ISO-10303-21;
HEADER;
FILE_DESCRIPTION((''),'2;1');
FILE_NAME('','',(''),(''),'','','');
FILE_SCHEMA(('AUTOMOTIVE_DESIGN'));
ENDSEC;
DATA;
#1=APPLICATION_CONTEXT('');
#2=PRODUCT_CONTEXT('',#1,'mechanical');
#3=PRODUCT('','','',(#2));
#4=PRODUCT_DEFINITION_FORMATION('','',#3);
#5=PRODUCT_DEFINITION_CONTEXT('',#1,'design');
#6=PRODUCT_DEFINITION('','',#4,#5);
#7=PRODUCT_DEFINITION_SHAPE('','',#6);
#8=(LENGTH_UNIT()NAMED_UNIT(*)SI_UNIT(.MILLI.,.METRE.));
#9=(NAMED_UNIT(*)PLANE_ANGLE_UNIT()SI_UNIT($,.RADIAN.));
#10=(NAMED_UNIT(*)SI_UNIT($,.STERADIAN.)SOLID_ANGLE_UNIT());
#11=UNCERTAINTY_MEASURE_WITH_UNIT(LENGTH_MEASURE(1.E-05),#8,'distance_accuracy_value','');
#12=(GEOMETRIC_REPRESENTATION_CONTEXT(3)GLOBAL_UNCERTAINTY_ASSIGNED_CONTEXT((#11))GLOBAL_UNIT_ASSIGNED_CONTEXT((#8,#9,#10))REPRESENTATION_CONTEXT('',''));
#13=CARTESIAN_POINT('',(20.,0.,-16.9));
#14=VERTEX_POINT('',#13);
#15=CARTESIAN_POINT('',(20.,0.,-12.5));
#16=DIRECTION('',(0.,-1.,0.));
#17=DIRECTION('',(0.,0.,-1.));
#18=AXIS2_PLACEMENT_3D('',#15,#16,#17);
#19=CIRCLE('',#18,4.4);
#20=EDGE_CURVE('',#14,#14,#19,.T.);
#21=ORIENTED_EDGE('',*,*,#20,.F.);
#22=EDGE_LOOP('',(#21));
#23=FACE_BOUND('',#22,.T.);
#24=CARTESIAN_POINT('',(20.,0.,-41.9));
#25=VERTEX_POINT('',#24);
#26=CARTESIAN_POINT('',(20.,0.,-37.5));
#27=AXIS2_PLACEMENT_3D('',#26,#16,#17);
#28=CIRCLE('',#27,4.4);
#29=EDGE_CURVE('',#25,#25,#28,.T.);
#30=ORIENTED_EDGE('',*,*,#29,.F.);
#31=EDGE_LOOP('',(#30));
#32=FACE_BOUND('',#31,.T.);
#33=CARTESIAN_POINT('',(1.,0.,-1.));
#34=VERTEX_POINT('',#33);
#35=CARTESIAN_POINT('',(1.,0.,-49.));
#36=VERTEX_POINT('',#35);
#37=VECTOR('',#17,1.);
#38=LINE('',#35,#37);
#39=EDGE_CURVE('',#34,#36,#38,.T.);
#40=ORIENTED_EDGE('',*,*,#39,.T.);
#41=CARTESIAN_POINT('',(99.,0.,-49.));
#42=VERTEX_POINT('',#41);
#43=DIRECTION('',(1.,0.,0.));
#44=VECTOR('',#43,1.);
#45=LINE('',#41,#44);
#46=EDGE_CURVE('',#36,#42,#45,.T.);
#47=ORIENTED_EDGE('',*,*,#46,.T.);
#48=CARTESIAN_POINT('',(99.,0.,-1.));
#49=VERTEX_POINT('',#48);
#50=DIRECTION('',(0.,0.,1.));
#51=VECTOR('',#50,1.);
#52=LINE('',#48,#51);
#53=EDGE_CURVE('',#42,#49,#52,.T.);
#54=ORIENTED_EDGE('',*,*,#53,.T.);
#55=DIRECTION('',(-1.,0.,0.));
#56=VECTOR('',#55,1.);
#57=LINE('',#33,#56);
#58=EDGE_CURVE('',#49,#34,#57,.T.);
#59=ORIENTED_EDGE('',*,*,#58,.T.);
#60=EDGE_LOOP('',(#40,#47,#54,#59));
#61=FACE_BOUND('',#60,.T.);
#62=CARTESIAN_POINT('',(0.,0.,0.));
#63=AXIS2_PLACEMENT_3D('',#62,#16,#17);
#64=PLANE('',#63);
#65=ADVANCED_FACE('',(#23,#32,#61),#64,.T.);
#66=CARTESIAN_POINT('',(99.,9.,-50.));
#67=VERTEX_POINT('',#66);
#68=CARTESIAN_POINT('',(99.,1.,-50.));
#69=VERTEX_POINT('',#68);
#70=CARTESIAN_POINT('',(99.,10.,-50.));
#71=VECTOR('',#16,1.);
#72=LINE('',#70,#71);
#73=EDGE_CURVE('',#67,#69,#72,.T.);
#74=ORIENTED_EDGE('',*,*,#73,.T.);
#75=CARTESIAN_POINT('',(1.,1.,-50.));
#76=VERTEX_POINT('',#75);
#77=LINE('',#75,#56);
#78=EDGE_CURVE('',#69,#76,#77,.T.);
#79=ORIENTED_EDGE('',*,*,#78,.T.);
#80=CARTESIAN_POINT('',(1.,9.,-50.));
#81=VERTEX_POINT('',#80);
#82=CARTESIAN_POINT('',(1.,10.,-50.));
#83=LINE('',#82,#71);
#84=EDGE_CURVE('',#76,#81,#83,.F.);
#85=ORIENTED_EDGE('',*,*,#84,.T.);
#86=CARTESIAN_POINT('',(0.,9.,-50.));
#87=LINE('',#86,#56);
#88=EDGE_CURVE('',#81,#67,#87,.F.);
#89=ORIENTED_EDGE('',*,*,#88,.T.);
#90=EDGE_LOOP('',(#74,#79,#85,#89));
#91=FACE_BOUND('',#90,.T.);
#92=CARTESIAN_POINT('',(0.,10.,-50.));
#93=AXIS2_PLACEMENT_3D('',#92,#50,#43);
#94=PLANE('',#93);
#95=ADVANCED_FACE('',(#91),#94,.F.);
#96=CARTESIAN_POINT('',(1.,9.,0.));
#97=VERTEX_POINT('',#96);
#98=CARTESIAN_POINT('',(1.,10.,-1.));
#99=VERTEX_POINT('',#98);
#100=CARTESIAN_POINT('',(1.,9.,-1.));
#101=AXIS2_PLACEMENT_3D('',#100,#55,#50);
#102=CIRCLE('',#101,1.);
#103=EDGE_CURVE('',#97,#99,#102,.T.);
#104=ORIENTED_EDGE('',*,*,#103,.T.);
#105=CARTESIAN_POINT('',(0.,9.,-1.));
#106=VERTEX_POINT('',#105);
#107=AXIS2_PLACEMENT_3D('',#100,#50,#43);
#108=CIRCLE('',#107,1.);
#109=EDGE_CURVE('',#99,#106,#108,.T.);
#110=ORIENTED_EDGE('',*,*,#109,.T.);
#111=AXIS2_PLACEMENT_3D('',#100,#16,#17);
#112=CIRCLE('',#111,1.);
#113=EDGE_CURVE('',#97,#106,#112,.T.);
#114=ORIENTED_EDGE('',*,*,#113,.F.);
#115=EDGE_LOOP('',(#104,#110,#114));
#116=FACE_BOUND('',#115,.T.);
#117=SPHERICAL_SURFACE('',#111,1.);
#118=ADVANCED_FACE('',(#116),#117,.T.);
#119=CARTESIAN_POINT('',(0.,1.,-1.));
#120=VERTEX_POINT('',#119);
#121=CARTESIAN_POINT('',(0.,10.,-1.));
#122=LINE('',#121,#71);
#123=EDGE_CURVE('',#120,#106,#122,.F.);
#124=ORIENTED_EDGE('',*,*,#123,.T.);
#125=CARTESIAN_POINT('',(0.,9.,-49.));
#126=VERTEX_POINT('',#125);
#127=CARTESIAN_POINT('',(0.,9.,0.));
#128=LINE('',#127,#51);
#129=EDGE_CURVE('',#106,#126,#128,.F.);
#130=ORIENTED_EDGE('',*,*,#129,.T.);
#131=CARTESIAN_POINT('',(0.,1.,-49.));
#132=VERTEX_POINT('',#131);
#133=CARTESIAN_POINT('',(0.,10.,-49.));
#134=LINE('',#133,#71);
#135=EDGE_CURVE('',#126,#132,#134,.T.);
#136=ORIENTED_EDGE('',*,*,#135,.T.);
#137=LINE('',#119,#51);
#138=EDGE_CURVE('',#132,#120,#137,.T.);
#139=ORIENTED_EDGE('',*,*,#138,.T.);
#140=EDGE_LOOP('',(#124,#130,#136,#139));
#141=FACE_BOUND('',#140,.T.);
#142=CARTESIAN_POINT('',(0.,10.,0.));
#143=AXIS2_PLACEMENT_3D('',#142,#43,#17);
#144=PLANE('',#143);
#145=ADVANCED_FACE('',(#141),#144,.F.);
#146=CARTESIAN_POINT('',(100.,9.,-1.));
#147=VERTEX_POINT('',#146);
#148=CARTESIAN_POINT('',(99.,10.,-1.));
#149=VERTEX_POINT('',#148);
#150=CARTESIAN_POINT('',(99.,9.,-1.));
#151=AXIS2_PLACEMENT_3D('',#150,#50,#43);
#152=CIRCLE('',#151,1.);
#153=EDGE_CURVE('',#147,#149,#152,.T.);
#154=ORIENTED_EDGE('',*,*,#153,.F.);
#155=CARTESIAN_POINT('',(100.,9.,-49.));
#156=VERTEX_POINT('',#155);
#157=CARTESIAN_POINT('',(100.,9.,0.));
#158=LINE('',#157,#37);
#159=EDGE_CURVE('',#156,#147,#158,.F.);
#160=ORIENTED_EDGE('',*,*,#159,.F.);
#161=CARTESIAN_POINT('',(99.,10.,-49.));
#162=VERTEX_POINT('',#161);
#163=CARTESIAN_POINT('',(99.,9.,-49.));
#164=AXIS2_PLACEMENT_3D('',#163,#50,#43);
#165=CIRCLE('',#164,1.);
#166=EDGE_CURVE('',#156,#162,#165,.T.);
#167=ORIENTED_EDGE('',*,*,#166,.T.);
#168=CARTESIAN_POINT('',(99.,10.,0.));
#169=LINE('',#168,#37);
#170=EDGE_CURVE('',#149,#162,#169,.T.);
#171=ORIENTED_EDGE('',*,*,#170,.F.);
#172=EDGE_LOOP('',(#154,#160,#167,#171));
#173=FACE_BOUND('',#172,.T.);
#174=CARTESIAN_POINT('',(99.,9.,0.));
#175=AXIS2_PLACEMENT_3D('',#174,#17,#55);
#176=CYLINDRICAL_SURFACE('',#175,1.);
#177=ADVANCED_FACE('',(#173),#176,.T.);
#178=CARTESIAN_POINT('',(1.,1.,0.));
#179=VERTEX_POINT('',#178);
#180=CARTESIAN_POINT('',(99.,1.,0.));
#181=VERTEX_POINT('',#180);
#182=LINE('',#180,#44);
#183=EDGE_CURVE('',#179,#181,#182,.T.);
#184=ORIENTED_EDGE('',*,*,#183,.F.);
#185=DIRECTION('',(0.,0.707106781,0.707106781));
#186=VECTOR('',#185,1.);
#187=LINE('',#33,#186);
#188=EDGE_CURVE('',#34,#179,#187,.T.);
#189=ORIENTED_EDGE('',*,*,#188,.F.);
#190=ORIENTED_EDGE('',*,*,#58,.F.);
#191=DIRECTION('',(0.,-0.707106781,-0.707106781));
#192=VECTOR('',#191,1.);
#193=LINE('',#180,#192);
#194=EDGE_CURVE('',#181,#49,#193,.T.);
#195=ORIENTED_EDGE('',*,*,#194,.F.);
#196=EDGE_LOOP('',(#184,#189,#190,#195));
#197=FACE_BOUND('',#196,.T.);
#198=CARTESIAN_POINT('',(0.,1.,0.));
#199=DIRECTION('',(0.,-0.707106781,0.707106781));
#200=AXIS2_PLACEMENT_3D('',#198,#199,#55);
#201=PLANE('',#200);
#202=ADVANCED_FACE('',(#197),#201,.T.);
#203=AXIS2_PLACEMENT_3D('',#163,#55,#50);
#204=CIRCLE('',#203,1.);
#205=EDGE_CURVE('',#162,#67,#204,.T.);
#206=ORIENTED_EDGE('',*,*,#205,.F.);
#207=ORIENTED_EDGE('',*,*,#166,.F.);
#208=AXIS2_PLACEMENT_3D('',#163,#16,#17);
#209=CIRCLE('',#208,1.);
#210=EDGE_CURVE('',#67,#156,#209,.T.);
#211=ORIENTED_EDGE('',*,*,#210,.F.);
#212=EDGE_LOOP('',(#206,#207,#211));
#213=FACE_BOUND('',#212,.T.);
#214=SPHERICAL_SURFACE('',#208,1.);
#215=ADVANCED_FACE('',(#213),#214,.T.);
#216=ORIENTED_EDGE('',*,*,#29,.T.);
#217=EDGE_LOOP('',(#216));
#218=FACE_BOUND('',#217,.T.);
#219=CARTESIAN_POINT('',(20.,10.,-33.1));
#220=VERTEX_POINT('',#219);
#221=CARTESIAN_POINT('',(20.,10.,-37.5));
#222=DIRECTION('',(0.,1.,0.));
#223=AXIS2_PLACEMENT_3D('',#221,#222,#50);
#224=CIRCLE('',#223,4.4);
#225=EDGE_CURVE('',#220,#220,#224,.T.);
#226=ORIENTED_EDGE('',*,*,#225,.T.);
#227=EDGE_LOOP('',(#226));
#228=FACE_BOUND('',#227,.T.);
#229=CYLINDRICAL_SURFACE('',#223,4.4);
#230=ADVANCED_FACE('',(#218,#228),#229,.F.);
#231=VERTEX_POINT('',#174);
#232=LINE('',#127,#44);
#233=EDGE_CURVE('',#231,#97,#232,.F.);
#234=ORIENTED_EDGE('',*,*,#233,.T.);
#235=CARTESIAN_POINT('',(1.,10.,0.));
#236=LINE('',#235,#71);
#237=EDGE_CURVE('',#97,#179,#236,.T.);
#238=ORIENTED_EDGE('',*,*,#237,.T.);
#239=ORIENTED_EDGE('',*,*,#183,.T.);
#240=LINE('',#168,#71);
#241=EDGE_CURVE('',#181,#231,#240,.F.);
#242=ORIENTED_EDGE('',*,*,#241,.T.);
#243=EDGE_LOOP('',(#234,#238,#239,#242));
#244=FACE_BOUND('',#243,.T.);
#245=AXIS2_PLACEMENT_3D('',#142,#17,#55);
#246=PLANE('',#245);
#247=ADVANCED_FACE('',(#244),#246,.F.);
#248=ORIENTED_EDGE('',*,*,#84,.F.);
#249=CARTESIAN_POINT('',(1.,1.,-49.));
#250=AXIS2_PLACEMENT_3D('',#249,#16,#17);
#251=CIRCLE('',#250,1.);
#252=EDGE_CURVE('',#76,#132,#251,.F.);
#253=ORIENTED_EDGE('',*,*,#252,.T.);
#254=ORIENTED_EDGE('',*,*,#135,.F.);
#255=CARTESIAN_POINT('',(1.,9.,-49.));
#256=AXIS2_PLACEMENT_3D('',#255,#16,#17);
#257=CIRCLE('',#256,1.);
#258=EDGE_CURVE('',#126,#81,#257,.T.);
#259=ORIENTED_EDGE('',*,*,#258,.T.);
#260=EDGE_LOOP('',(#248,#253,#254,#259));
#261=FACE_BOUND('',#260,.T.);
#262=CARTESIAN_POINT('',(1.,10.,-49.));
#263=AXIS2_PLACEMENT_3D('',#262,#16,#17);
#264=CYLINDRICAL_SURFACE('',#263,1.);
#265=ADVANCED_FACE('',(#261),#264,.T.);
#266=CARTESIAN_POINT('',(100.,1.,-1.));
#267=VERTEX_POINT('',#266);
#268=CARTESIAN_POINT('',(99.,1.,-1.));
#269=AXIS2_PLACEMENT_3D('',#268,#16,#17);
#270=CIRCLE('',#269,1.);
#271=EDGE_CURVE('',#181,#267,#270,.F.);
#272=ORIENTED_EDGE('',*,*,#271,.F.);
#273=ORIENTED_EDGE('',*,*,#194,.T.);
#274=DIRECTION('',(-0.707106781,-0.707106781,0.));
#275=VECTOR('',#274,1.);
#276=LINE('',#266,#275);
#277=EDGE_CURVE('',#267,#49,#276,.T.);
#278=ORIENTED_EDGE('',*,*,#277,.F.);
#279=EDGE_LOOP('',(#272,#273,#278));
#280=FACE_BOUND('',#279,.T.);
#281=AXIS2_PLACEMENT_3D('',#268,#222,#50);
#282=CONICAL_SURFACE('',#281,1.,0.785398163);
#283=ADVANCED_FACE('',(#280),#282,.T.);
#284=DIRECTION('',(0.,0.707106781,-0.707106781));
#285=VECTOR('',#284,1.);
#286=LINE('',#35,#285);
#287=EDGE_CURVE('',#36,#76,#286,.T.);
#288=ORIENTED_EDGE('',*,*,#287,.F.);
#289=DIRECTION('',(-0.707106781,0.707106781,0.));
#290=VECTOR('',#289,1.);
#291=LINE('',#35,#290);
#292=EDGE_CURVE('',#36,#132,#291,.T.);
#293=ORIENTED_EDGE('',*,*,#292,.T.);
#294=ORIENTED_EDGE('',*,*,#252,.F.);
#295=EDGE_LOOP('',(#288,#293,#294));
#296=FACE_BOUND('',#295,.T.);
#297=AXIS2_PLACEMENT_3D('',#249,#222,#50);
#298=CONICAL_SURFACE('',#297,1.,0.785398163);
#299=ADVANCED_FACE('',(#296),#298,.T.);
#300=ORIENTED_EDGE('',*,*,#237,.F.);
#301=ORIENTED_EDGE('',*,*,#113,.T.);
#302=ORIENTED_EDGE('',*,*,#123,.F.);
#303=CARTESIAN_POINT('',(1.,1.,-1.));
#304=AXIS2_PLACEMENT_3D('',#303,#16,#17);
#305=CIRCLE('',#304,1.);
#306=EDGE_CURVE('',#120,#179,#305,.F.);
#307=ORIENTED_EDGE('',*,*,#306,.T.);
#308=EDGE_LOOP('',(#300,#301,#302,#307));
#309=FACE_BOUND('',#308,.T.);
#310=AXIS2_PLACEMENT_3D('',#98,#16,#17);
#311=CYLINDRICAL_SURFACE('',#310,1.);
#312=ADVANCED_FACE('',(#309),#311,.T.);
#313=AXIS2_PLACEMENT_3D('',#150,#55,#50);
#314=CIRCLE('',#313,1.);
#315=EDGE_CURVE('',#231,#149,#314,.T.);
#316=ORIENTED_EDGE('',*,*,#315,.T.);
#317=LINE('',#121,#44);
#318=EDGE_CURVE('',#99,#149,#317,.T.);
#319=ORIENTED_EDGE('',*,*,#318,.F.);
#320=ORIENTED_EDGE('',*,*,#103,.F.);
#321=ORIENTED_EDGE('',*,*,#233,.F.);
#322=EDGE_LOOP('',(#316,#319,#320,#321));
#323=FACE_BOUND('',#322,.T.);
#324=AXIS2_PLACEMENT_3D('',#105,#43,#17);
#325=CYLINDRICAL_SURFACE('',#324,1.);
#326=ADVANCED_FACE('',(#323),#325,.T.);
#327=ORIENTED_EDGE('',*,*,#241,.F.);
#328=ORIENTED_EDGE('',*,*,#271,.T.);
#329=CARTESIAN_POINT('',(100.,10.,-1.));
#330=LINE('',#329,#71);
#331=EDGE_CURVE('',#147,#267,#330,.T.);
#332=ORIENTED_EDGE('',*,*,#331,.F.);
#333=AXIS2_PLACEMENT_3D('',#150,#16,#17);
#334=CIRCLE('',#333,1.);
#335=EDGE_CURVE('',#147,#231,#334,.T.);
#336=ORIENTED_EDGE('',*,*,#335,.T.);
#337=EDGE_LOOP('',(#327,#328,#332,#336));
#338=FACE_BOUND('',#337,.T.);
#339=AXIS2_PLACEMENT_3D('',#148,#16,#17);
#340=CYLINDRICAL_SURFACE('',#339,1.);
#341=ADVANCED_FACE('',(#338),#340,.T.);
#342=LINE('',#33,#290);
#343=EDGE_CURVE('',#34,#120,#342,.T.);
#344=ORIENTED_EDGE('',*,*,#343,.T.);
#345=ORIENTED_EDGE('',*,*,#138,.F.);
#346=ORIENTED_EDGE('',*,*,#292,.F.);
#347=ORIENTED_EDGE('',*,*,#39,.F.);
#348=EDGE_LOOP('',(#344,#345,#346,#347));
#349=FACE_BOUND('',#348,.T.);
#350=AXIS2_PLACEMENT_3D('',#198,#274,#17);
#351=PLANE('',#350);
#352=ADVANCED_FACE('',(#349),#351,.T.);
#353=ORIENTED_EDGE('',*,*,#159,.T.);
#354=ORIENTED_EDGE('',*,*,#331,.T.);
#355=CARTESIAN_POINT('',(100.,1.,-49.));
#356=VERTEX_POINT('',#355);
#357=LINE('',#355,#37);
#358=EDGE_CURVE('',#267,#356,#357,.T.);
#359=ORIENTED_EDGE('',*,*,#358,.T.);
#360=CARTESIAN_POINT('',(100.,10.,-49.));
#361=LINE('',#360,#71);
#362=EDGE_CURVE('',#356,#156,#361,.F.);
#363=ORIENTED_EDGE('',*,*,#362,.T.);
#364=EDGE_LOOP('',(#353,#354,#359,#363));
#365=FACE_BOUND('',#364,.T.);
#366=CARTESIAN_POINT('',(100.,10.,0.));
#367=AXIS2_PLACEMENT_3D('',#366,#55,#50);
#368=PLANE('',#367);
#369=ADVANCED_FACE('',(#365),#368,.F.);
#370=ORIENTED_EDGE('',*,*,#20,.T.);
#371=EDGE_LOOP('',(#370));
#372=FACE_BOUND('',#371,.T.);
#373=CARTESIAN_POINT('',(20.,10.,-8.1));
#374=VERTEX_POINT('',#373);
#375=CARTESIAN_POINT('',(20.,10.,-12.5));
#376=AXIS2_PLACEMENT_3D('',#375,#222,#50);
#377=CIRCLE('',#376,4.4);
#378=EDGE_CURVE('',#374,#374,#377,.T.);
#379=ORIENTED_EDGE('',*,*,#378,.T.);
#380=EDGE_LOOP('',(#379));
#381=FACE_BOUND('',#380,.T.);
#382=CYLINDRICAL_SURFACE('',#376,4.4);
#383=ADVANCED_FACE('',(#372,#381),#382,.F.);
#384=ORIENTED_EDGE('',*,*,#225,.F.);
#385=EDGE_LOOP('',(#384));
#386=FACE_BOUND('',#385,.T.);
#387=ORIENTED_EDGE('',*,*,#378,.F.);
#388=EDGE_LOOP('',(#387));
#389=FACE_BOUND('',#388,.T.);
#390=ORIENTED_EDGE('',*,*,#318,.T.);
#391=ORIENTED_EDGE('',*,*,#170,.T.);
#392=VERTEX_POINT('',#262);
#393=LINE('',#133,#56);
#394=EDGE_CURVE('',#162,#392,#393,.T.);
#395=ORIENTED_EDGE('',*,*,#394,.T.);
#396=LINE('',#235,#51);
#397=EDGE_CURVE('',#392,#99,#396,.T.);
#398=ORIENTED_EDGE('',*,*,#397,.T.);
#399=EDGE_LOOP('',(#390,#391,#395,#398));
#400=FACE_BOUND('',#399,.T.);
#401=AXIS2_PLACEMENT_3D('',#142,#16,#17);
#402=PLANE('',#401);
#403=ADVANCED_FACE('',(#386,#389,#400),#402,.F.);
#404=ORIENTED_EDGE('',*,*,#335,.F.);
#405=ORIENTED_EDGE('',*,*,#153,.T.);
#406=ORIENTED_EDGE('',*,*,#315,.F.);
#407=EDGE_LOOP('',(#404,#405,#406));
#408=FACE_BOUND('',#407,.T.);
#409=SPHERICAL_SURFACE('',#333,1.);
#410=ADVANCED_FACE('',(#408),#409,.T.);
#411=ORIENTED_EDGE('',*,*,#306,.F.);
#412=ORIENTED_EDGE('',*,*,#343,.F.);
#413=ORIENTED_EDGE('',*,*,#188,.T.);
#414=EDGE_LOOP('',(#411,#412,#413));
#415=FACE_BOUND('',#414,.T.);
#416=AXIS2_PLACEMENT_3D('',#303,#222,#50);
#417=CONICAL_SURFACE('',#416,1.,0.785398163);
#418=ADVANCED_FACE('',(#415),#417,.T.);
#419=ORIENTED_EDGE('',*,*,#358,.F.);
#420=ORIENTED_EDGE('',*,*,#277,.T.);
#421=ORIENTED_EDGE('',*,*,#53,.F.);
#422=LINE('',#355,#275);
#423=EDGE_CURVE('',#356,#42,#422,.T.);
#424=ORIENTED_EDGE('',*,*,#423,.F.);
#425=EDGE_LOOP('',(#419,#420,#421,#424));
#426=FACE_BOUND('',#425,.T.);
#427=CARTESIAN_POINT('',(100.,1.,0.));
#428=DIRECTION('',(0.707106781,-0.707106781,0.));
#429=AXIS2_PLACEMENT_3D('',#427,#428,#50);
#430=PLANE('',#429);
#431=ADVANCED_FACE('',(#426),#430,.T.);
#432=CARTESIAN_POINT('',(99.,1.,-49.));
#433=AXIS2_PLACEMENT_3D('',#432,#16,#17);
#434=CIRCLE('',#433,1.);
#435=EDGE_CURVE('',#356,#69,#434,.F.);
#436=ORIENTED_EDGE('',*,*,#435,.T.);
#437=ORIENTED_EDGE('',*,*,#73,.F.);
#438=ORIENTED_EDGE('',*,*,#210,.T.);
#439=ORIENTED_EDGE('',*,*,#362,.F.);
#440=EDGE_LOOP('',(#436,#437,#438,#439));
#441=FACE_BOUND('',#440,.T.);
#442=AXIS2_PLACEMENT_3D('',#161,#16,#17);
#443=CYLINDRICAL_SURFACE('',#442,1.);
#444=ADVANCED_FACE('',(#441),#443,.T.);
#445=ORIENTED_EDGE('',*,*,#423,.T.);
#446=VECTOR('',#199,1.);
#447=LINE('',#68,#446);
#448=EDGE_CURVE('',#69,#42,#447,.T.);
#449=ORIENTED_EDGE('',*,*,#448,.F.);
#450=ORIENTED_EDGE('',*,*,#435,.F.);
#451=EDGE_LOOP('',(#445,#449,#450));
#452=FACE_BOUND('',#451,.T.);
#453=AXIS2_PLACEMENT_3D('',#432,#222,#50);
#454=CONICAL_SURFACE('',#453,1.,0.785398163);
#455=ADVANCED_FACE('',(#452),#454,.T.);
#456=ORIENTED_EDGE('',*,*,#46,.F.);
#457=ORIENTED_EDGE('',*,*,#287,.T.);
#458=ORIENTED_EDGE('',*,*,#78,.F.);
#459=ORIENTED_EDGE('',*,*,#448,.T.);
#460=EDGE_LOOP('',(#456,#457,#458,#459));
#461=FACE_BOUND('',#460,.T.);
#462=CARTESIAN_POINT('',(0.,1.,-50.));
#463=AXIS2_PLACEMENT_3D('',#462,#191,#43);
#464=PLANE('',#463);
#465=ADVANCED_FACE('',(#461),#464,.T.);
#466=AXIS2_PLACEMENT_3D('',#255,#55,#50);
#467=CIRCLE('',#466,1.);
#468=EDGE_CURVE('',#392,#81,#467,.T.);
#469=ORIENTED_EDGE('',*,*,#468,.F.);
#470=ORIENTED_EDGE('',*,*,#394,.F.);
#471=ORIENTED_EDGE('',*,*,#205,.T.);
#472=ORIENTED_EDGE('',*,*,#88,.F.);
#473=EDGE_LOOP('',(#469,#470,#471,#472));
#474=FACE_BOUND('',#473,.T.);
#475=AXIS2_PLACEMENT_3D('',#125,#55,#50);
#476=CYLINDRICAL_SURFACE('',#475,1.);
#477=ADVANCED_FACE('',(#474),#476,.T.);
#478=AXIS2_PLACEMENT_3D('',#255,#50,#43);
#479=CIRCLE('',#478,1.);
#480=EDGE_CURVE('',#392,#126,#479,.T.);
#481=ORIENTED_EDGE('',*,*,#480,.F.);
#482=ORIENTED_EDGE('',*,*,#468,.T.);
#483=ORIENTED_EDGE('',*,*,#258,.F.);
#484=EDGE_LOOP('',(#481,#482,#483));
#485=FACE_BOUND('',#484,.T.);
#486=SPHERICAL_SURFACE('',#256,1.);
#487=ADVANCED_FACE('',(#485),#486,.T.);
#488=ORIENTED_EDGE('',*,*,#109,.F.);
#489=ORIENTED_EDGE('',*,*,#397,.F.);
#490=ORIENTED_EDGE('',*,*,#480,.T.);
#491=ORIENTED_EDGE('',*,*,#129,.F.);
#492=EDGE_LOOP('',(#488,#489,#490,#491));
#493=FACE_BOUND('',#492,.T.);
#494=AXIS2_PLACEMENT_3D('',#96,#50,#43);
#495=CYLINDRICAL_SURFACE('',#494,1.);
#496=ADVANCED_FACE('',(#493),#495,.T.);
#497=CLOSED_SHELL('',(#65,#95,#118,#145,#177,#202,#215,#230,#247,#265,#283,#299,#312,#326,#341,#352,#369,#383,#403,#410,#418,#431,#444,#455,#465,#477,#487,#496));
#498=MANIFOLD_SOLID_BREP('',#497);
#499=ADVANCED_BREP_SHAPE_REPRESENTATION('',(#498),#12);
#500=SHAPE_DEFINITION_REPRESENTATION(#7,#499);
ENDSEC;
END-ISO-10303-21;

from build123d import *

# Parameters (mm, degrees)
SKETCH_1_W       = 100
SKETCH_1_H       = 50
EXTRUDE_1_DEPTH  = 10
M10X1_25_1_D     = 8.8
M10X1_25_1_DEPTH = 23.75
M10X1_25_1_TIP   = 2.643786724
FILLET_1_R       = 1
CHAMFER_1_SIZE   = 1
FILLET_2_R       = 1


with BuildPart() as part:
    # 草圖1 → 填料-伸長1 (new body)
    with BuildSketch(Plane(origin=(0, 0, 0), x_dir=(1, 0, 0), z_dir=(0, 1, 0))):
        with Locations((50, 25)):
            Rectangle(SKETCH_1_W, SKETCH_1_H)
    extrude(amount=EXTRUDE_1_DEPTH)

    # M10x1.25 螺紋孔1
    with Locations(Plane(origin=(20, 10, -37.5), x_dir=(0, 0, 1), z_dir=(0, 1, 0))):
        with Locations((0, 0), (25, 0)):
            Hole(M10X1_25_1_D / 2, depth=M10X1_25_1_DEPTH)
            with Locations((0, 0, -(M10X1_25_1_DEPTH + M10X1_25_1_TIP / 2))):  # 118° drill point
                Cone(0, M10X1_25_1_D / 2, M10X1_25_1_TIP, mode=Mode.SUBTRACT)

    # 圓角1
    fillet_1_edges = [part.edges().sort_by_distance(p)[0] for p in [
        (0, 5, -50),
        (100, 5, -50),
        (100, 5, 0),
        (0, 5, 0),
    ]]
    fillet(fillet_1_edges, radius=FILLET_1_R)

    # 導角1
    chamfer_1_edges = [part.edges().sort_by_distance(p)[0] for p in [
        (50, 0, -50),
        (0, 0, -25),
        (100, 0, -25),
        (50, 0, 0),
        (99.707106781, 0, -0.292893219),
        (0.292893219, 0, -0.292893219),
        (0.292893219, 0, -49.707106781),
        (99.707106781, 0, -49.707106781),
    ]]
    chamfer(chamfer_1_edges, length=CHAMFER_1_SIZE)

    # 圓角2
    fillet_2_edges = [part.edges().sort_by_distance(p)[0] for p in [
        (50, 10, -50),
        (100, 10, -25),
        (0, 10, -25),
        (50, 10, 0),
        (99.707106781, 10, -0.292893219),
        (0.292893219, 10, -0.292893219),
        (0.292893219, 10, -49.707106781),
        (99.707106781, 10, -49.707106781),
    ]]
    fillet(fillet_2_edges, radius=FILLET_2_R)


solid = part.part
